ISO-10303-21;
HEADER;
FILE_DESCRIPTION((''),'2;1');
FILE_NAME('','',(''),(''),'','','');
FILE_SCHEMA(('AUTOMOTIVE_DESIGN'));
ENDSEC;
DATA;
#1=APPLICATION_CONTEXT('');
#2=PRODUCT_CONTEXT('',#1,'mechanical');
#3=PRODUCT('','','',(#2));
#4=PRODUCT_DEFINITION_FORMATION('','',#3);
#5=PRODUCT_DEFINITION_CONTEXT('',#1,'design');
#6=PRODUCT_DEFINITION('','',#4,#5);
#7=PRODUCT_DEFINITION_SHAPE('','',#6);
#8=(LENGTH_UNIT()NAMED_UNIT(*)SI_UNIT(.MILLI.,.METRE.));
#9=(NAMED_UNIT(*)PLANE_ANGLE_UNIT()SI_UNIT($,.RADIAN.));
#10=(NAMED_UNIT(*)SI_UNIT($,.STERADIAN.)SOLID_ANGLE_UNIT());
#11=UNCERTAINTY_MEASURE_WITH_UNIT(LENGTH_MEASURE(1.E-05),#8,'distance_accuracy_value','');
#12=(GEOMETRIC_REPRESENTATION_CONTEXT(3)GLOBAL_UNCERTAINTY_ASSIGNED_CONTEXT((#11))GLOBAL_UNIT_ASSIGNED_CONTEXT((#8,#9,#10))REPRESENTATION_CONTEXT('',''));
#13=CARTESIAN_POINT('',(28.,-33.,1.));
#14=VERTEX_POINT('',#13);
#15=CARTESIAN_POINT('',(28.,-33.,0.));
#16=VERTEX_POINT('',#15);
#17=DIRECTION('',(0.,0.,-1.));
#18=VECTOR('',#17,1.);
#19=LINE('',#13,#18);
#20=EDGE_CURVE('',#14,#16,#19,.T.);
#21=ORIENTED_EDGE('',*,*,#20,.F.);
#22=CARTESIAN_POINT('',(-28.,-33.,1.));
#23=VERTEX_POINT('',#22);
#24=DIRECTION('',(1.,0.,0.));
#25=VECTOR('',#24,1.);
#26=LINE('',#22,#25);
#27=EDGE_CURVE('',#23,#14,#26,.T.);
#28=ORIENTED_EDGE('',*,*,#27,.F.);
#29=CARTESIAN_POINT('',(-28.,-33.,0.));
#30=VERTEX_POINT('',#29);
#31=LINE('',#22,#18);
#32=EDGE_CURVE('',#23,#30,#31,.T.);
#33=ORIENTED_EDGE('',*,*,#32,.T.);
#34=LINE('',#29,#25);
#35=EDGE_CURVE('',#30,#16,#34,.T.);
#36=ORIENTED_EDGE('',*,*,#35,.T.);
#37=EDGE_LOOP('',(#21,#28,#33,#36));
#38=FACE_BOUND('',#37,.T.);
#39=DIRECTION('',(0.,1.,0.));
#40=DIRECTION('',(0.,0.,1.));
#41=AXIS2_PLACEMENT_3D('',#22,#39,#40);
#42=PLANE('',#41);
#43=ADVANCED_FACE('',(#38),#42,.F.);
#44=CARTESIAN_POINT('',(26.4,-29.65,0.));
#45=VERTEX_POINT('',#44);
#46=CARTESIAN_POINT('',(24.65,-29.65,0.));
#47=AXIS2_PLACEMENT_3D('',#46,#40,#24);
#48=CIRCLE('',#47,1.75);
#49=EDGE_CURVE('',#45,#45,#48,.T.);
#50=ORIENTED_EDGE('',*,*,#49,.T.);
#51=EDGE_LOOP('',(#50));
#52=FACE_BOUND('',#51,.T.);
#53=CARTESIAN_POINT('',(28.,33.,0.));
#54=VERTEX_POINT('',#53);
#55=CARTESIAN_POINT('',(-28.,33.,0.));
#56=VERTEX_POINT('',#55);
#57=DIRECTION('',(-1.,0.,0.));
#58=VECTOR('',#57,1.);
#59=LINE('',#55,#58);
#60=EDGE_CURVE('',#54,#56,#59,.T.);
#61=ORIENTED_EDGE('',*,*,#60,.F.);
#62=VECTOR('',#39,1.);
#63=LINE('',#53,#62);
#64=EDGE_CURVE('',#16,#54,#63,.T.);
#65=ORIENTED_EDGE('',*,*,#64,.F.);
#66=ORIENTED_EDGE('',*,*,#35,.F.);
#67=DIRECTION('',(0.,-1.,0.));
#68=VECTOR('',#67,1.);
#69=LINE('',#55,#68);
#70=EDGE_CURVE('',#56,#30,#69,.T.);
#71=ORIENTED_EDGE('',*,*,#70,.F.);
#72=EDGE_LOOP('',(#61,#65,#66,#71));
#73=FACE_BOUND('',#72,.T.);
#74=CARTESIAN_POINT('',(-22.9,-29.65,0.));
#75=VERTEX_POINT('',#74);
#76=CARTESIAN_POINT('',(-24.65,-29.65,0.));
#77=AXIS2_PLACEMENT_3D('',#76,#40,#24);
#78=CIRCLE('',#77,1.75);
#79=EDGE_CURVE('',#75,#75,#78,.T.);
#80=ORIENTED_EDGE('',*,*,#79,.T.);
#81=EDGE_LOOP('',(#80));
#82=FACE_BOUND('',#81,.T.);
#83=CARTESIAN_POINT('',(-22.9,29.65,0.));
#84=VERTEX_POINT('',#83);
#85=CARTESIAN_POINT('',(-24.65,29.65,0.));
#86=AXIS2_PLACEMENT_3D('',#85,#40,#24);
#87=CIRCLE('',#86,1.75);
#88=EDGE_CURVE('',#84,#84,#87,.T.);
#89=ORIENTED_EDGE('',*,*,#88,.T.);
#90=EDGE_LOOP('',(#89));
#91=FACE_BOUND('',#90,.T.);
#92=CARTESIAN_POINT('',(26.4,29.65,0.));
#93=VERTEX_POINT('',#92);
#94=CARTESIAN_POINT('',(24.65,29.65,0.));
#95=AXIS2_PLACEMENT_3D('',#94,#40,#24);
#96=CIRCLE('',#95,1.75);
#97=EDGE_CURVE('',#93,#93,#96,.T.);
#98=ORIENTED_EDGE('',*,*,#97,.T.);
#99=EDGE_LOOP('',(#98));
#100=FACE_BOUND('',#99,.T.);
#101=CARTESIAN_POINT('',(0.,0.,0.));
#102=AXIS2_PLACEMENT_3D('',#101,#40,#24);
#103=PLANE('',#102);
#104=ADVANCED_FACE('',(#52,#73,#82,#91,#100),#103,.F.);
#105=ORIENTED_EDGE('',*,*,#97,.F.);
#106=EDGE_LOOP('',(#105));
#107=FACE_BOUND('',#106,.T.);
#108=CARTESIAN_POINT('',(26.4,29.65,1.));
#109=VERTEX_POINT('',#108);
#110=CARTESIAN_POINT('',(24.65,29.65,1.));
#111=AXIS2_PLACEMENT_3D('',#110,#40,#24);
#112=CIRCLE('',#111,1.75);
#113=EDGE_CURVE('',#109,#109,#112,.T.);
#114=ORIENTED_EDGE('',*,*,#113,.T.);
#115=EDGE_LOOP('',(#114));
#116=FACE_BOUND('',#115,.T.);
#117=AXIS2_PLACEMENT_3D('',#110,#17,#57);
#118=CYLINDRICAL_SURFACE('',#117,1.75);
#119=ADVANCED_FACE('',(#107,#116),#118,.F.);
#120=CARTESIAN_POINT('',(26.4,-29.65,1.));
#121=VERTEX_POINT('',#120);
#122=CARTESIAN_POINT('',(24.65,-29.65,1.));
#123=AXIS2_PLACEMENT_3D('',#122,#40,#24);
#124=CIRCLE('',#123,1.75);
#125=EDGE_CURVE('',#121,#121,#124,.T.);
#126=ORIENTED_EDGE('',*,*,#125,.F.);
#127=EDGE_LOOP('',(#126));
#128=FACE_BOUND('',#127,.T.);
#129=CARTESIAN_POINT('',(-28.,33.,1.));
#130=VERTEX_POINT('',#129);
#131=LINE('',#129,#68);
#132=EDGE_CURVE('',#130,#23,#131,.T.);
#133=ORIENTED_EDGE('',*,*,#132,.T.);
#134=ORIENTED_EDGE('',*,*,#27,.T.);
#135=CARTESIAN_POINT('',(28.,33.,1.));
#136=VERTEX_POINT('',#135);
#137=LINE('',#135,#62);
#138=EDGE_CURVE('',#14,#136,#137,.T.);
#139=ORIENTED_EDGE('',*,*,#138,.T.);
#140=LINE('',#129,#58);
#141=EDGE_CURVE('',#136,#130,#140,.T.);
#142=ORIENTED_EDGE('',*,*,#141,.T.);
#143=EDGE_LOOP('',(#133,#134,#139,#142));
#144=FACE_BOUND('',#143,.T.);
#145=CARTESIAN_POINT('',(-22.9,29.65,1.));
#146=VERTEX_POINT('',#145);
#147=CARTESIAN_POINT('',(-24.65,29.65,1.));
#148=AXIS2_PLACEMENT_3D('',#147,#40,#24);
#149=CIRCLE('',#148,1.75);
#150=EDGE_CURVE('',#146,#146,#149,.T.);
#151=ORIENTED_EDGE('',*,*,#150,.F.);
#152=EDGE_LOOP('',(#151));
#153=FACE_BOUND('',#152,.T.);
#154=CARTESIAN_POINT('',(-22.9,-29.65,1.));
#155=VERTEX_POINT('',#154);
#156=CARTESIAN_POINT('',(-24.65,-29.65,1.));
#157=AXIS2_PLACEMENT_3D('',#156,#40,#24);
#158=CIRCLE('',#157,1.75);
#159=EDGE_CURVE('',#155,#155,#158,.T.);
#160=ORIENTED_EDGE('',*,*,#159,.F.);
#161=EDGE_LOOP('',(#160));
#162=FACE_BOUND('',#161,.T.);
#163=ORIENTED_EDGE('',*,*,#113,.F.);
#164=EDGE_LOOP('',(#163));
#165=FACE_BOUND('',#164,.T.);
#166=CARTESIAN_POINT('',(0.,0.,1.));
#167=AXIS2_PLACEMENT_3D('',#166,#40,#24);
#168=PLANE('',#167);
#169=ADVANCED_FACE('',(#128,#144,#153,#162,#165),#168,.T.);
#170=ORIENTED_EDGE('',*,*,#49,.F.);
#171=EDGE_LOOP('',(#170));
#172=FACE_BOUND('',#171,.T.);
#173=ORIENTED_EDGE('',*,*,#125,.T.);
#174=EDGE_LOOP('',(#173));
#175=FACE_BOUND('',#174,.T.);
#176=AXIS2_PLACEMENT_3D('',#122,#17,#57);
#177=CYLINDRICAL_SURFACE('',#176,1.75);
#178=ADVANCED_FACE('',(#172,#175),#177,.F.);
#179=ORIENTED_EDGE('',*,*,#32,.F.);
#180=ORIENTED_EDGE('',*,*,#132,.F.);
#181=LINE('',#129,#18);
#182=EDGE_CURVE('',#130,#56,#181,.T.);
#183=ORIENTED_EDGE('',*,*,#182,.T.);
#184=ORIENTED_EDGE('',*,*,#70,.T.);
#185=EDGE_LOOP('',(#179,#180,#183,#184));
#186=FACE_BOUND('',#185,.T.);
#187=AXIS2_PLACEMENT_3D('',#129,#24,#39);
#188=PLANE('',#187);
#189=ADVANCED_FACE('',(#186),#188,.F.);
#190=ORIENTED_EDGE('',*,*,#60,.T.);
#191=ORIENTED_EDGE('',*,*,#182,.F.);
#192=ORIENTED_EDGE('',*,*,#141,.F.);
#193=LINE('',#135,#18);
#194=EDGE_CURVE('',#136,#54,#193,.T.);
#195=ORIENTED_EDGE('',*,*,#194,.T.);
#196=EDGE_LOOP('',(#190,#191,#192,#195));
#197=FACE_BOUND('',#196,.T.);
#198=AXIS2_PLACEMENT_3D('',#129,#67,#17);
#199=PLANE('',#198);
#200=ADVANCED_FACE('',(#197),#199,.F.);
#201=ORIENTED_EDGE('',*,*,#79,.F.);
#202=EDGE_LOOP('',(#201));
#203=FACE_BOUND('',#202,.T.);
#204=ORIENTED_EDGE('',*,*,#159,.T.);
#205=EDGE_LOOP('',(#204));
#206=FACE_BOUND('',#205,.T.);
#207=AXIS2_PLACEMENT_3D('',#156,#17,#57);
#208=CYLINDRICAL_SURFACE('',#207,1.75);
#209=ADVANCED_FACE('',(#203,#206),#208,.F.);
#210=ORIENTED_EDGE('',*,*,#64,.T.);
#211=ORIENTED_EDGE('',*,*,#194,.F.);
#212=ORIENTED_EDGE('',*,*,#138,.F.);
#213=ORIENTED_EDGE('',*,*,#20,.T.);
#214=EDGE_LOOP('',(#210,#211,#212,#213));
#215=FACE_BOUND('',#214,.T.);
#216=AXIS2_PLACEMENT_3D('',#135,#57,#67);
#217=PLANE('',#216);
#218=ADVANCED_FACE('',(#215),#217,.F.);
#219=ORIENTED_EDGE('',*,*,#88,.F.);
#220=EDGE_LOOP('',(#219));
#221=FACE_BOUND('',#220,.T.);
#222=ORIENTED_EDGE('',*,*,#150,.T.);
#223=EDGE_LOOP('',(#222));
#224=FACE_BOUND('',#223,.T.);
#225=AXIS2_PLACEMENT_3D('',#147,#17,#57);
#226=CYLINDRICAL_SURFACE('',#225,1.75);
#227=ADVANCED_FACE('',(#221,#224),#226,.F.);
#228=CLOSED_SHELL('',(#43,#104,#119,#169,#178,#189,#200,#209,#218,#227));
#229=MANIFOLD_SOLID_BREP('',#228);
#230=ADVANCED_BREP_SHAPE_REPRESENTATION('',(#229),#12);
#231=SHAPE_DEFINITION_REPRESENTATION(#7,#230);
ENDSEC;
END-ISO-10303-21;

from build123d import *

# Parameters (mm, degrees)
SKETCH1_W           = 56
SKETCH1_H           = 66
SKETCH1_R           = 1.75
BOSS_EXTRUDE1_DEPTH = 1


with BuildPart() as part:
    # Sketch1 → Boss-Extrude1 (new body)
    with BuildSketch(Plane.XY):
        Rectangle(SKETCH1_W, SKETCH1_H)
        with Locations((-24.65, 29.65)):
            Circle(SKETCH1_R, mode=Mode.SUBTRACT)
        with Locations((24.65, 29.65)):
            Circle(SKETCH1_R, mode=Mode.SUBTRACT)
        with Locations((24.65, -29.65)):
            Circle(SKETCH1_R, mode=Mode.SUBTRACT)
        with Locations((-24.65, -29.65)):
            Circle(SKETCH1_R, mode=Mode.SUBTRACT)
    extrude(amount=BOSS_EXTRUDE1_DEPTH)


solid = part.part
